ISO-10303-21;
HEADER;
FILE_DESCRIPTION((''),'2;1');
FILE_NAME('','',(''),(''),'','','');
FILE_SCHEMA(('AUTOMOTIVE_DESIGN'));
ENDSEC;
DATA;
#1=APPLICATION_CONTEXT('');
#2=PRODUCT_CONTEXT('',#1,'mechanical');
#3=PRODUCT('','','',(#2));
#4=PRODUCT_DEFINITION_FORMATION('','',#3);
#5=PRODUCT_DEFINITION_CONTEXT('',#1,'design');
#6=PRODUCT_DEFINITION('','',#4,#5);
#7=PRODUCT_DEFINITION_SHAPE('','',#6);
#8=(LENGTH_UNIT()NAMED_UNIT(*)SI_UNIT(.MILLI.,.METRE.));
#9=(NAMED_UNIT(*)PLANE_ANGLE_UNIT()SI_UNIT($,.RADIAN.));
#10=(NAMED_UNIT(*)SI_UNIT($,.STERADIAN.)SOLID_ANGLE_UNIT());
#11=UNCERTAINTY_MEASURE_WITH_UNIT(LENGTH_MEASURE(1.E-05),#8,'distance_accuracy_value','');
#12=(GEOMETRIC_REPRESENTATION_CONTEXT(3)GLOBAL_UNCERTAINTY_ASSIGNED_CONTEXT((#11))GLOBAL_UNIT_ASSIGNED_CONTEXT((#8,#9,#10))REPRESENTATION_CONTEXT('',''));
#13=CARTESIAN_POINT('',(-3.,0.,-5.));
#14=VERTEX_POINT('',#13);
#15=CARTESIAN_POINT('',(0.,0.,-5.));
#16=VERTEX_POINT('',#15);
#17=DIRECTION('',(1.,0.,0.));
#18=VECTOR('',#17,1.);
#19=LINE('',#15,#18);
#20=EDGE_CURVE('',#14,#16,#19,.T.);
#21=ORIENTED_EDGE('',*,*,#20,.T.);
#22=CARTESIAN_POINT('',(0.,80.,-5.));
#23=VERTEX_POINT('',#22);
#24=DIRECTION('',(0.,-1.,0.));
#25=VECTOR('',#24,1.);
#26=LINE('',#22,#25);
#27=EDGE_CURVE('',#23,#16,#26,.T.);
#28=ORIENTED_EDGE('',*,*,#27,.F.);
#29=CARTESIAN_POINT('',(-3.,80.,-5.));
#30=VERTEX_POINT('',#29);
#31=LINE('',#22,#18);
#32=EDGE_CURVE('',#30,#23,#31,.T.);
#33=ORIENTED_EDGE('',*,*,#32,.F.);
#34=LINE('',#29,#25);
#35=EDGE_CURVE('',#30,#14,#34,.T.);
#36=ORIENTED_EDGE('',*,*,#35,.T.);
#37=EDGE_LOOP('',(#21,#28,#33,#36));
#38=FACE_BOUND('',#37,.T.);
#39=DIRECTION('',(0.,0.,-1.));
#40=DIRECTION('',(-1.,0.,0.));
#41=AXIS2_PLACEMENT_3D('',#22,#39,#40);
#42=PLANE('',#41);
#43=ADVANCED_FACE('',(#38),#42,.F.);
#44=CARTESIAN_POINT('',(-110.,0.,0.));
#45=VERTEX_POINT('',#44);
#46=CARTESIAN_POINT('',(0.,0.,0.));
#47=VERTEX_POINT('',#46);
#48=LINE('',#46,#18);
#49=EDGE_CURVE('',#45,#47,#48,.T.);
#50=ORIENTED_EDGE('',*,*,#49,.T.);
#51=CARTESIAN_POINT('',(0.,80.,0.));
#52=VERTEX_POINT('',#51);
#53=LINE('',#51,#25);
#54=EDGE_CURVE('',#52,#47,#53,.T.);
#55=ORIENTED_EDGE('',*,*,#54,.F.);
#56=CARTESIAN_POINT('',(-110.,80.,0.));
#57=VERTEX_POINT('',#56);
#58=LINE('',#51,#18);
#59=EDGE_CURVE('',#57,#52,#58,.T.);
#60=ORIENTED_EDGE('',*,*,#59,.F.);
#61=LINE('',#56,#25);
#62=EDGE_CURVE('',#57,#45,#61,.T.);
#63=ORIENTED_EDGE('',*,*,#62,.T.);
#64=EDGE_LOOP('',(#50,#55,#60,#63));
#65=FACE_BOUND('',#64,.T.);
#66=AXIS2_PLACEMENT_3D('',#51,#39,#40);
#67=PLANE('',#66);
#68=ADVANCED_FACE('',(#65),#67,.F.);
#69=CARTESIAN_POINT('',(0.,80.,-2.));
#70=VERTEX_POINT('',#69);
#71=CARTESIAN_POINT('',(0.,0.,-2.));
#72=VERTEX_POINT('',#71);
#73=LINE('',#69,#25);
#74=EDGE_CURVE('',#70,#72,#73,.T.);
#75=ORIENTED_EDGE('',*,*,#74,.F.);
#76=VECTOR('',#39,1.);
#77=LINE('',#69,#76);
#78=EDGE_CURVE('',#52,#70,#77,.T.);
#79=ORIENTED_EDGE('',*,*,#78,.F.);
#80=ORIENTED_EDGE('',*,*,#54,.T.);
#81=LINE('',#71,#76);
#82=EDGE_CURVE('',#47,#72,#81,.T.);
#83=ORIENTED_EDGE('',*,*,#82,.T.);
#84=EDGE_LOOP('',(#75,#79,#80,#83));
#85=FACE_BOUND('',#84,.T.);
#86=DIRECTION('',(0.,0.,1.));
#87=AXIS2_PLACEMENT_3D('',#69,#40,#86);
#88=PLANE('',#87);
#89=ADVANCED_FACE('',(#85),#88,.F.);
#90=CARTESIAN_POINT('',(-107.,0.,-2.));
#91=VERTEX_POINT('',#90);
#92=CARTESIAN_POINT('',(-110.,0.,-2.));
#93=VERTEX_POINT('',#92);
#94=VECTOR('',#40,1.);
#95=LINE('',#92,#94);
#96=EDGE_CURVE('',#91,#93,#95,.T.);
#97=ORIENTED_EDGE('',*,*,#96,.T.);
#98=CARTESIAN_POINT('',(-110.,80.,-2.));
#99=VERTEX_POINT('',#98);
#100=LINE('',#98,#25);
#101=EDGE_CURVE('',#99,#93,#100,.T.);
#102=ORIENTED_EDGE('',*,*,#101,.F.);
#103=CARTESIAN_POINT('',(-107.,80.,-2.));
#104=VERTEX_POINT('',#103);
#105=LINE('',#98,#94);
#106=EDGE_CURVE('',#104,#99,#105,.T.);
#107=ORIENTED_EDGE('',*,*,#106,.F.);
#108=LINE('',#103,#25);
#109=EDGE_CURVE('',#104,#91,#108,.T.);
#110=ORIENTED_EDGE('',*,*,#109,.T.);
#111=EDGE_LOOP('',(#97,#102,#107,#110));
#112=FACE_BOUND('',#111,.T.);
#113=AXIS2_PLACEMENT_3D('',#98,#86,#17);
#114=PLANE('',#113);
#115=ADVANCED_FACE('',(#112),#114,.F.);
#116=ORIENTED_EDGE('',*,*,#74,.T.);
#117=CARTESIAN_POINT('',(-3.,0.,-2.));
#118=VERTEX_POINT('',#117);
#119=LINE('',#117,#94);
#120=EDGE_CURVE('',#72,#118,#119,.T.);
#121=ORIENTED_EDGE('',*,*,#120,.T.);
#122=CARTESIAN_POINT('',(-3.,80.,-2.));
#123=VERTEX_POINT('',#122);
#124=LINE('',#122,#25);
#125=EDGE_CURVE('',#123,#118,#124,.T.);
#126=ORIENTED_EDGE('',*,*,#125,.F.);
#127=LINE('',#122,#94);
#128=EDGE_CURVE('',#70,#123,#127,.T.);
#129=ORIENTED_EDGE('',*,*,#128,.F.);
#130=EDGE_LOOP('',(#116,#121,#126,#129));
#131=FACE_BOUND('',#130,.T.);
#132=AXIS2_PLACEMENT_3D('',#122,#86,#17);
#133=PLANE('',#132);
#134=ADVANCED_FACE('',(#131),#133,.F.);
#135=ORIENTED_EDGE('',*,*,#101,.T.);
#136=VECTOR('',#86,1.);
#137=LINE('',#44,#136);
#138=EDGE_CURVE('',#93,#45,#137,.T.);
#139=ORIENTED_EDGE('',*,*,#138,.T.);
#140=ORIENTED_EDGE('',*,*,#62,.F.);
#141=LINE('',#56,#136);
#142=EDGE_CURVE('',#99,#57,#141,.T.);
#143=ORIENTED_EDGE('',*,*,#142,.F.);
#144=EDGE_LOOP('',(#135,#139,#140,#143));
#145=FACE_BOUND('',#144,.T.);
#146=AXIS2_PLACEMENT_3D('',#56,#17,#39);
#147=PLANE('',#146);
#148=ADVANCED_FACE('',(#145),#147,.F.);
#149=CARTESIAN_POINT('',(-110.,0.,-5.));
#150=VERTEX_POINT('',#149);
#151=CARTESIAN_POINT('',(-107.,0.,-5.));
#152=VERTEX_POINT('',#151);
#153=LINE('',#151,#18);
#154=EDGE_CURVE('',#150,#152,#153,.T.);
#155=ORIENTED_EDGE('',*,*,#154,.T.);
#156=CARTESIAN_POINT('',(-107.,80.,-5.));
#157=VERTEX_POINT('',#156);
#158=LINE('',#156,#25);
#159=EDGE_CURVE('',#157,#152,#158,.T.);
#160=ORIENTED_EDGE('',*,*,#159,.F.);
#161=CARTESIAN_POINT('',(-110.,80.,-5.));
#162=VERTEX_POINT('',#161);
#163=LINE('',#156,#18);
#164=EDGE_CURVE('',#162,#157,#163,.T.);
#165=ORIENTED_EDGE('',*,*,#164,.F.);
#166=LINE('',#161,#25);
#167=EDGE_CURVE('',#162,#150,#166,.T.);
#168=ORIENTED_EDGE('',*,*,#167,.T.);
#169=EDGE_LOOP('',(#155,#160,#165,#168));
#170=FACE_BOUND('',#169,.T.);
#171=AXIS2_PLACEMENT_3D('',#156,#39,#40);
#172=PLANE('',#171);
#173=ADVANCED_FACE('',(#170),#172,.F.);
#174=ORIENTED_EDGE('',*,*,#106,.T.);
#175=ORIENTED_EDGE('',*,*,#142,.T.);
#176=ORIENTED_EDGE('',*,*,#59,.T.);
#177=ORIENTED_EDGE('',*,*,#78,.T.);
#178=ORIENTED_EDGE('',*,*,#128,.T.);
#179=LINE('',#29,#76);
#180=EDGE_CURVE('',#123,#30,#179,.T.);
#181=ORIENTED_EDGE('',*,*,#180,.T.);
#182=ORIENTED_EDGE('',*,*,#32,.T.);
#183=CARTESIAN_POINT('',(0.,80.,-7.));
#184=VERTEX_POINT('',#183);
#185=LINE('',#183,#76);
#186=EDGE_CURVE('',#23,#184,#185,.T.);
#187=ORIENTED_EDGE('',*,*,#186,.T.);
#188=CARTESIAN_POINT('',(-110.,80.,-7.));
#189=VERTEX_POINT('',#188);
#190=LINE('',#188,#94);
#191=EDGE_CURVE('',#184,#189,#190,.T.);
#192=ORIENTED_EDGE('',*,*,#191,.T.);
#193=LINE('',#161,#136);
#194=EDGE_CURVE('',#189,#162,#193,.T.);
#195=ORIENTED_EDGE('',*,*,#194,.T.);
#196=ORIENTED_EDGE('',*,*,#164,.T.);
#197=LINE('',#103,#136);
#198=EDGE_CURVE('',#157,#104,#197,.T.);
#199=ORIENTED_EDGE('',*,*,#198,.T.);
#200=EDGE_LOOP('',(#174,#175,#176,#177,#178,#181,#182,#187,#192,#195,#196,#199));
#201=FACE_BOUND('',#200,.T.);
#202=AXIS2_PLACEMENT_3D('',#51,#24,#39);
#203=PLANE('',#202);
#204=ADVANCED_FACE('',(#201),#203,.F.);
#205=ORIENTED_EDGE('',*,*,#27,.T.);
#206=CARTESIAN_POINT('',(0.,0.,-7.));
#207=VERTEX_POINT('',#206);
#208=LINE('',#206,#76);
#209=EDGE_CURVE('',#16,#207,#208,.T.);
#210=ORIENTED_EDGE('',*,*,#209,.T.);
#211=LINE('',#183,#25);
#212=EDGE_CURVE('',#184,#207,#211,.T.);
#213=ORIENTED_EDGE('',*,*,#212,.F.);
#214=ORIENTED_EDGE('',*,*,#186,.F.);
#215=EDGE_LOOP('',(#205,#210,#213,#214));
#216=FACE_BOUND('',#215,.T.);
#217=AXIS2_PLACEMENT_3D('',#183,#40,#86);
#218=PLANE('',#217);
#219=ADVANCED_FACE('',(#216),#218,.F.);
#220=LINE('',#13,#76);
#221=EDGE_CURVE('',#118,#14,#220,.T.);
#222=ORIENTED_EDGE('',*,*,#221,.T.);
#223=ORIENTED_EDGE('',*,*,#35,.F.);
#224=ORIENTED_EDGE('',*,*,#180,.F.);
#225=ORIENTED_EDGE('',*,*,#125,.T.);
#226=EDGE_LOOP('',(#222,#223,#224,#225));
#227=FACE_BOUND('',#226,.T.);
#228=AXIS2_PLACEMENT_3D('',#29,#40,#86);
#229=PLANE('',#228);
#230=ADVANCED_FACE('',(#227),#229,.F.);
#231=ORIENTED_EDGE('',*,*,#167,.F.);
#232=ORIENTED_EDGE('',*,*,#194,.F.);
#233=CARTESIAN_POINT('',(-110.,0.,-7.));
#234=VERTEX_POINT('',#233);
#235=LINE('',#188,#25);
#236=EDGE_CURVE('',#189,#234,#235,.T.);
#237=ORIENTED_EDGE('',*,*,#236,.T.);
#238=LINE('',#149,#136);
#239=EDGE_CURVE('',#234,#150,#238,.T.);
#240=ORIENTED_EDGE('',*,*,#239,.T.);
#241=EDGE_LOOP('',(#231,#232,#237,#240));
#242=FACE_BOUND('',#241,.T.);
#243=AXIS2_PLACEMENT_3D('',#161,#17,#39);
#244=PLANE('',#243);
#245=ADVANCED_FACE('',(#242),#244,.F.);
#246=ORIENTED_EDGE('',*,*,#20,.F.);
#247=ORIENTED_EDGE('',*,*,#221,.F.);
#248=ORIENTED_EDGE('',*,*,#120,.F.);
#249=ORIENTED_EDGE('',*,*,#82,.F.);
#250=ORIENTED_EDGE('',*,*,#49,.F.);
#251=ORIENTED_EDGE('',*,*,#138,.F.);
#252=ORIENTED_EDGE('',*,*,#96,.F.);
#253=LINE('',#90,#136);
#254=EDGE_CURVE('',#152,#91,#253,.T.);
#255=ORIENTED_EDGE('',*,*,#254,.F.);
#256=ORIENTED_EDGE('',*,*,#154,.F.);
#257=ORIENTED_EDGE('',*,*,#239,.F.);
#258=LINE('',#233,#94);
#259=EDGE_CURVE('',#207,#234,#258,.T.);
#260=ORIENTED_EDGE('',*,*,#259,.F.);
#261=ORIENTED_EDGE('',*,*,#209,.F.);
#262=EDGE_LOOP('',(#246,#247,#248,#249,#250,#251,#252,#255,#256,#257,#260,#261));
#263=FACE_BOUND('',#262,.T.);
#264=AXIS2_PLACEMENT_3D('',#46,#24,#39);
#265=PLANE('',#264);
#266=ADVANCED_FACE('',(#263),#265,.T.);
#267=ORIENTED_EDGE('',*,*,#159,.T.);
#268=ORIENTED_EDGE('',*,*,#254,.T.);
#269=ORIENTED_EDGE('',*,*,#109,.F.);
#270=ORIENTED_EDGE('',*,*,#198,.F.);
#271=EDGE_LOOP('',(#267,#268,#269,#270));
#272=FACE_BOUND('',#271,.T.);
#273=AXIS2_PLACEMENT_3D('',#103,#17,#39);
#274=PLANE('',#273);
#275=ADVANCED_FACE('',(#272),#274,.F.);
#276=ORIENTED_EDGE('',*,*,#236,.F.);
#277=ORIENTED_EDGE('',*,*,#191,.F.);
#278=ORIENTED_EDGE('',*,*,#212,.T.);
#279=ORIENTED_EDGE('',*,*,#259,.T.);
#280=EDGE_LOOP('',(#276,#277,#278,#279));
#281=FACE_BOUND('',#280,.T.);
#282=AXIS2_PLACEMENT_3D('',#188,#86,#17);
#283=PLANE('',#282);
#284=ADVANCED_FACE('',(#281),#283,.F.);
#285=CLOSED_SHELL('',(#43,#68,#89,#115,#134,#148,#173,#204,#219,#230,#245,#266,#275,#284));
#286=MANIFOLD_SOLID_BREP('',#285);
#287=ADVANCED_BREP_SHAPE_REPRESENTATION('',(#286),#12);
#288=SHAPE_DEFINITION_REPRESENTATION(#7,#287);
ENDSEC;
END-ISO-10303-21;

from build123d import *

# Parameters (mm, degrees)
BOSS_EXTRUDE1_DEPTH = 80


with BuildPart() as part:
    # Sketch1 → Boss-Extrude1 (new body)
    with BuildSketch(Plane(origin=(0, 0, 0), x_dir=(1, 0, 0), z_dir=(0, 1, 0))):
        Polygon((0, 0), (-110, 0), (-110, 2), (-107, 2), (-107, 5), (-110, 5), (-110, 7), (0, 7), (0, 5), (-3, 5), (-3, 2), (0, 2), align=None)
    extrude(amount=BOSS_EXTRUDE1_DEPTH)


solid = part.part
